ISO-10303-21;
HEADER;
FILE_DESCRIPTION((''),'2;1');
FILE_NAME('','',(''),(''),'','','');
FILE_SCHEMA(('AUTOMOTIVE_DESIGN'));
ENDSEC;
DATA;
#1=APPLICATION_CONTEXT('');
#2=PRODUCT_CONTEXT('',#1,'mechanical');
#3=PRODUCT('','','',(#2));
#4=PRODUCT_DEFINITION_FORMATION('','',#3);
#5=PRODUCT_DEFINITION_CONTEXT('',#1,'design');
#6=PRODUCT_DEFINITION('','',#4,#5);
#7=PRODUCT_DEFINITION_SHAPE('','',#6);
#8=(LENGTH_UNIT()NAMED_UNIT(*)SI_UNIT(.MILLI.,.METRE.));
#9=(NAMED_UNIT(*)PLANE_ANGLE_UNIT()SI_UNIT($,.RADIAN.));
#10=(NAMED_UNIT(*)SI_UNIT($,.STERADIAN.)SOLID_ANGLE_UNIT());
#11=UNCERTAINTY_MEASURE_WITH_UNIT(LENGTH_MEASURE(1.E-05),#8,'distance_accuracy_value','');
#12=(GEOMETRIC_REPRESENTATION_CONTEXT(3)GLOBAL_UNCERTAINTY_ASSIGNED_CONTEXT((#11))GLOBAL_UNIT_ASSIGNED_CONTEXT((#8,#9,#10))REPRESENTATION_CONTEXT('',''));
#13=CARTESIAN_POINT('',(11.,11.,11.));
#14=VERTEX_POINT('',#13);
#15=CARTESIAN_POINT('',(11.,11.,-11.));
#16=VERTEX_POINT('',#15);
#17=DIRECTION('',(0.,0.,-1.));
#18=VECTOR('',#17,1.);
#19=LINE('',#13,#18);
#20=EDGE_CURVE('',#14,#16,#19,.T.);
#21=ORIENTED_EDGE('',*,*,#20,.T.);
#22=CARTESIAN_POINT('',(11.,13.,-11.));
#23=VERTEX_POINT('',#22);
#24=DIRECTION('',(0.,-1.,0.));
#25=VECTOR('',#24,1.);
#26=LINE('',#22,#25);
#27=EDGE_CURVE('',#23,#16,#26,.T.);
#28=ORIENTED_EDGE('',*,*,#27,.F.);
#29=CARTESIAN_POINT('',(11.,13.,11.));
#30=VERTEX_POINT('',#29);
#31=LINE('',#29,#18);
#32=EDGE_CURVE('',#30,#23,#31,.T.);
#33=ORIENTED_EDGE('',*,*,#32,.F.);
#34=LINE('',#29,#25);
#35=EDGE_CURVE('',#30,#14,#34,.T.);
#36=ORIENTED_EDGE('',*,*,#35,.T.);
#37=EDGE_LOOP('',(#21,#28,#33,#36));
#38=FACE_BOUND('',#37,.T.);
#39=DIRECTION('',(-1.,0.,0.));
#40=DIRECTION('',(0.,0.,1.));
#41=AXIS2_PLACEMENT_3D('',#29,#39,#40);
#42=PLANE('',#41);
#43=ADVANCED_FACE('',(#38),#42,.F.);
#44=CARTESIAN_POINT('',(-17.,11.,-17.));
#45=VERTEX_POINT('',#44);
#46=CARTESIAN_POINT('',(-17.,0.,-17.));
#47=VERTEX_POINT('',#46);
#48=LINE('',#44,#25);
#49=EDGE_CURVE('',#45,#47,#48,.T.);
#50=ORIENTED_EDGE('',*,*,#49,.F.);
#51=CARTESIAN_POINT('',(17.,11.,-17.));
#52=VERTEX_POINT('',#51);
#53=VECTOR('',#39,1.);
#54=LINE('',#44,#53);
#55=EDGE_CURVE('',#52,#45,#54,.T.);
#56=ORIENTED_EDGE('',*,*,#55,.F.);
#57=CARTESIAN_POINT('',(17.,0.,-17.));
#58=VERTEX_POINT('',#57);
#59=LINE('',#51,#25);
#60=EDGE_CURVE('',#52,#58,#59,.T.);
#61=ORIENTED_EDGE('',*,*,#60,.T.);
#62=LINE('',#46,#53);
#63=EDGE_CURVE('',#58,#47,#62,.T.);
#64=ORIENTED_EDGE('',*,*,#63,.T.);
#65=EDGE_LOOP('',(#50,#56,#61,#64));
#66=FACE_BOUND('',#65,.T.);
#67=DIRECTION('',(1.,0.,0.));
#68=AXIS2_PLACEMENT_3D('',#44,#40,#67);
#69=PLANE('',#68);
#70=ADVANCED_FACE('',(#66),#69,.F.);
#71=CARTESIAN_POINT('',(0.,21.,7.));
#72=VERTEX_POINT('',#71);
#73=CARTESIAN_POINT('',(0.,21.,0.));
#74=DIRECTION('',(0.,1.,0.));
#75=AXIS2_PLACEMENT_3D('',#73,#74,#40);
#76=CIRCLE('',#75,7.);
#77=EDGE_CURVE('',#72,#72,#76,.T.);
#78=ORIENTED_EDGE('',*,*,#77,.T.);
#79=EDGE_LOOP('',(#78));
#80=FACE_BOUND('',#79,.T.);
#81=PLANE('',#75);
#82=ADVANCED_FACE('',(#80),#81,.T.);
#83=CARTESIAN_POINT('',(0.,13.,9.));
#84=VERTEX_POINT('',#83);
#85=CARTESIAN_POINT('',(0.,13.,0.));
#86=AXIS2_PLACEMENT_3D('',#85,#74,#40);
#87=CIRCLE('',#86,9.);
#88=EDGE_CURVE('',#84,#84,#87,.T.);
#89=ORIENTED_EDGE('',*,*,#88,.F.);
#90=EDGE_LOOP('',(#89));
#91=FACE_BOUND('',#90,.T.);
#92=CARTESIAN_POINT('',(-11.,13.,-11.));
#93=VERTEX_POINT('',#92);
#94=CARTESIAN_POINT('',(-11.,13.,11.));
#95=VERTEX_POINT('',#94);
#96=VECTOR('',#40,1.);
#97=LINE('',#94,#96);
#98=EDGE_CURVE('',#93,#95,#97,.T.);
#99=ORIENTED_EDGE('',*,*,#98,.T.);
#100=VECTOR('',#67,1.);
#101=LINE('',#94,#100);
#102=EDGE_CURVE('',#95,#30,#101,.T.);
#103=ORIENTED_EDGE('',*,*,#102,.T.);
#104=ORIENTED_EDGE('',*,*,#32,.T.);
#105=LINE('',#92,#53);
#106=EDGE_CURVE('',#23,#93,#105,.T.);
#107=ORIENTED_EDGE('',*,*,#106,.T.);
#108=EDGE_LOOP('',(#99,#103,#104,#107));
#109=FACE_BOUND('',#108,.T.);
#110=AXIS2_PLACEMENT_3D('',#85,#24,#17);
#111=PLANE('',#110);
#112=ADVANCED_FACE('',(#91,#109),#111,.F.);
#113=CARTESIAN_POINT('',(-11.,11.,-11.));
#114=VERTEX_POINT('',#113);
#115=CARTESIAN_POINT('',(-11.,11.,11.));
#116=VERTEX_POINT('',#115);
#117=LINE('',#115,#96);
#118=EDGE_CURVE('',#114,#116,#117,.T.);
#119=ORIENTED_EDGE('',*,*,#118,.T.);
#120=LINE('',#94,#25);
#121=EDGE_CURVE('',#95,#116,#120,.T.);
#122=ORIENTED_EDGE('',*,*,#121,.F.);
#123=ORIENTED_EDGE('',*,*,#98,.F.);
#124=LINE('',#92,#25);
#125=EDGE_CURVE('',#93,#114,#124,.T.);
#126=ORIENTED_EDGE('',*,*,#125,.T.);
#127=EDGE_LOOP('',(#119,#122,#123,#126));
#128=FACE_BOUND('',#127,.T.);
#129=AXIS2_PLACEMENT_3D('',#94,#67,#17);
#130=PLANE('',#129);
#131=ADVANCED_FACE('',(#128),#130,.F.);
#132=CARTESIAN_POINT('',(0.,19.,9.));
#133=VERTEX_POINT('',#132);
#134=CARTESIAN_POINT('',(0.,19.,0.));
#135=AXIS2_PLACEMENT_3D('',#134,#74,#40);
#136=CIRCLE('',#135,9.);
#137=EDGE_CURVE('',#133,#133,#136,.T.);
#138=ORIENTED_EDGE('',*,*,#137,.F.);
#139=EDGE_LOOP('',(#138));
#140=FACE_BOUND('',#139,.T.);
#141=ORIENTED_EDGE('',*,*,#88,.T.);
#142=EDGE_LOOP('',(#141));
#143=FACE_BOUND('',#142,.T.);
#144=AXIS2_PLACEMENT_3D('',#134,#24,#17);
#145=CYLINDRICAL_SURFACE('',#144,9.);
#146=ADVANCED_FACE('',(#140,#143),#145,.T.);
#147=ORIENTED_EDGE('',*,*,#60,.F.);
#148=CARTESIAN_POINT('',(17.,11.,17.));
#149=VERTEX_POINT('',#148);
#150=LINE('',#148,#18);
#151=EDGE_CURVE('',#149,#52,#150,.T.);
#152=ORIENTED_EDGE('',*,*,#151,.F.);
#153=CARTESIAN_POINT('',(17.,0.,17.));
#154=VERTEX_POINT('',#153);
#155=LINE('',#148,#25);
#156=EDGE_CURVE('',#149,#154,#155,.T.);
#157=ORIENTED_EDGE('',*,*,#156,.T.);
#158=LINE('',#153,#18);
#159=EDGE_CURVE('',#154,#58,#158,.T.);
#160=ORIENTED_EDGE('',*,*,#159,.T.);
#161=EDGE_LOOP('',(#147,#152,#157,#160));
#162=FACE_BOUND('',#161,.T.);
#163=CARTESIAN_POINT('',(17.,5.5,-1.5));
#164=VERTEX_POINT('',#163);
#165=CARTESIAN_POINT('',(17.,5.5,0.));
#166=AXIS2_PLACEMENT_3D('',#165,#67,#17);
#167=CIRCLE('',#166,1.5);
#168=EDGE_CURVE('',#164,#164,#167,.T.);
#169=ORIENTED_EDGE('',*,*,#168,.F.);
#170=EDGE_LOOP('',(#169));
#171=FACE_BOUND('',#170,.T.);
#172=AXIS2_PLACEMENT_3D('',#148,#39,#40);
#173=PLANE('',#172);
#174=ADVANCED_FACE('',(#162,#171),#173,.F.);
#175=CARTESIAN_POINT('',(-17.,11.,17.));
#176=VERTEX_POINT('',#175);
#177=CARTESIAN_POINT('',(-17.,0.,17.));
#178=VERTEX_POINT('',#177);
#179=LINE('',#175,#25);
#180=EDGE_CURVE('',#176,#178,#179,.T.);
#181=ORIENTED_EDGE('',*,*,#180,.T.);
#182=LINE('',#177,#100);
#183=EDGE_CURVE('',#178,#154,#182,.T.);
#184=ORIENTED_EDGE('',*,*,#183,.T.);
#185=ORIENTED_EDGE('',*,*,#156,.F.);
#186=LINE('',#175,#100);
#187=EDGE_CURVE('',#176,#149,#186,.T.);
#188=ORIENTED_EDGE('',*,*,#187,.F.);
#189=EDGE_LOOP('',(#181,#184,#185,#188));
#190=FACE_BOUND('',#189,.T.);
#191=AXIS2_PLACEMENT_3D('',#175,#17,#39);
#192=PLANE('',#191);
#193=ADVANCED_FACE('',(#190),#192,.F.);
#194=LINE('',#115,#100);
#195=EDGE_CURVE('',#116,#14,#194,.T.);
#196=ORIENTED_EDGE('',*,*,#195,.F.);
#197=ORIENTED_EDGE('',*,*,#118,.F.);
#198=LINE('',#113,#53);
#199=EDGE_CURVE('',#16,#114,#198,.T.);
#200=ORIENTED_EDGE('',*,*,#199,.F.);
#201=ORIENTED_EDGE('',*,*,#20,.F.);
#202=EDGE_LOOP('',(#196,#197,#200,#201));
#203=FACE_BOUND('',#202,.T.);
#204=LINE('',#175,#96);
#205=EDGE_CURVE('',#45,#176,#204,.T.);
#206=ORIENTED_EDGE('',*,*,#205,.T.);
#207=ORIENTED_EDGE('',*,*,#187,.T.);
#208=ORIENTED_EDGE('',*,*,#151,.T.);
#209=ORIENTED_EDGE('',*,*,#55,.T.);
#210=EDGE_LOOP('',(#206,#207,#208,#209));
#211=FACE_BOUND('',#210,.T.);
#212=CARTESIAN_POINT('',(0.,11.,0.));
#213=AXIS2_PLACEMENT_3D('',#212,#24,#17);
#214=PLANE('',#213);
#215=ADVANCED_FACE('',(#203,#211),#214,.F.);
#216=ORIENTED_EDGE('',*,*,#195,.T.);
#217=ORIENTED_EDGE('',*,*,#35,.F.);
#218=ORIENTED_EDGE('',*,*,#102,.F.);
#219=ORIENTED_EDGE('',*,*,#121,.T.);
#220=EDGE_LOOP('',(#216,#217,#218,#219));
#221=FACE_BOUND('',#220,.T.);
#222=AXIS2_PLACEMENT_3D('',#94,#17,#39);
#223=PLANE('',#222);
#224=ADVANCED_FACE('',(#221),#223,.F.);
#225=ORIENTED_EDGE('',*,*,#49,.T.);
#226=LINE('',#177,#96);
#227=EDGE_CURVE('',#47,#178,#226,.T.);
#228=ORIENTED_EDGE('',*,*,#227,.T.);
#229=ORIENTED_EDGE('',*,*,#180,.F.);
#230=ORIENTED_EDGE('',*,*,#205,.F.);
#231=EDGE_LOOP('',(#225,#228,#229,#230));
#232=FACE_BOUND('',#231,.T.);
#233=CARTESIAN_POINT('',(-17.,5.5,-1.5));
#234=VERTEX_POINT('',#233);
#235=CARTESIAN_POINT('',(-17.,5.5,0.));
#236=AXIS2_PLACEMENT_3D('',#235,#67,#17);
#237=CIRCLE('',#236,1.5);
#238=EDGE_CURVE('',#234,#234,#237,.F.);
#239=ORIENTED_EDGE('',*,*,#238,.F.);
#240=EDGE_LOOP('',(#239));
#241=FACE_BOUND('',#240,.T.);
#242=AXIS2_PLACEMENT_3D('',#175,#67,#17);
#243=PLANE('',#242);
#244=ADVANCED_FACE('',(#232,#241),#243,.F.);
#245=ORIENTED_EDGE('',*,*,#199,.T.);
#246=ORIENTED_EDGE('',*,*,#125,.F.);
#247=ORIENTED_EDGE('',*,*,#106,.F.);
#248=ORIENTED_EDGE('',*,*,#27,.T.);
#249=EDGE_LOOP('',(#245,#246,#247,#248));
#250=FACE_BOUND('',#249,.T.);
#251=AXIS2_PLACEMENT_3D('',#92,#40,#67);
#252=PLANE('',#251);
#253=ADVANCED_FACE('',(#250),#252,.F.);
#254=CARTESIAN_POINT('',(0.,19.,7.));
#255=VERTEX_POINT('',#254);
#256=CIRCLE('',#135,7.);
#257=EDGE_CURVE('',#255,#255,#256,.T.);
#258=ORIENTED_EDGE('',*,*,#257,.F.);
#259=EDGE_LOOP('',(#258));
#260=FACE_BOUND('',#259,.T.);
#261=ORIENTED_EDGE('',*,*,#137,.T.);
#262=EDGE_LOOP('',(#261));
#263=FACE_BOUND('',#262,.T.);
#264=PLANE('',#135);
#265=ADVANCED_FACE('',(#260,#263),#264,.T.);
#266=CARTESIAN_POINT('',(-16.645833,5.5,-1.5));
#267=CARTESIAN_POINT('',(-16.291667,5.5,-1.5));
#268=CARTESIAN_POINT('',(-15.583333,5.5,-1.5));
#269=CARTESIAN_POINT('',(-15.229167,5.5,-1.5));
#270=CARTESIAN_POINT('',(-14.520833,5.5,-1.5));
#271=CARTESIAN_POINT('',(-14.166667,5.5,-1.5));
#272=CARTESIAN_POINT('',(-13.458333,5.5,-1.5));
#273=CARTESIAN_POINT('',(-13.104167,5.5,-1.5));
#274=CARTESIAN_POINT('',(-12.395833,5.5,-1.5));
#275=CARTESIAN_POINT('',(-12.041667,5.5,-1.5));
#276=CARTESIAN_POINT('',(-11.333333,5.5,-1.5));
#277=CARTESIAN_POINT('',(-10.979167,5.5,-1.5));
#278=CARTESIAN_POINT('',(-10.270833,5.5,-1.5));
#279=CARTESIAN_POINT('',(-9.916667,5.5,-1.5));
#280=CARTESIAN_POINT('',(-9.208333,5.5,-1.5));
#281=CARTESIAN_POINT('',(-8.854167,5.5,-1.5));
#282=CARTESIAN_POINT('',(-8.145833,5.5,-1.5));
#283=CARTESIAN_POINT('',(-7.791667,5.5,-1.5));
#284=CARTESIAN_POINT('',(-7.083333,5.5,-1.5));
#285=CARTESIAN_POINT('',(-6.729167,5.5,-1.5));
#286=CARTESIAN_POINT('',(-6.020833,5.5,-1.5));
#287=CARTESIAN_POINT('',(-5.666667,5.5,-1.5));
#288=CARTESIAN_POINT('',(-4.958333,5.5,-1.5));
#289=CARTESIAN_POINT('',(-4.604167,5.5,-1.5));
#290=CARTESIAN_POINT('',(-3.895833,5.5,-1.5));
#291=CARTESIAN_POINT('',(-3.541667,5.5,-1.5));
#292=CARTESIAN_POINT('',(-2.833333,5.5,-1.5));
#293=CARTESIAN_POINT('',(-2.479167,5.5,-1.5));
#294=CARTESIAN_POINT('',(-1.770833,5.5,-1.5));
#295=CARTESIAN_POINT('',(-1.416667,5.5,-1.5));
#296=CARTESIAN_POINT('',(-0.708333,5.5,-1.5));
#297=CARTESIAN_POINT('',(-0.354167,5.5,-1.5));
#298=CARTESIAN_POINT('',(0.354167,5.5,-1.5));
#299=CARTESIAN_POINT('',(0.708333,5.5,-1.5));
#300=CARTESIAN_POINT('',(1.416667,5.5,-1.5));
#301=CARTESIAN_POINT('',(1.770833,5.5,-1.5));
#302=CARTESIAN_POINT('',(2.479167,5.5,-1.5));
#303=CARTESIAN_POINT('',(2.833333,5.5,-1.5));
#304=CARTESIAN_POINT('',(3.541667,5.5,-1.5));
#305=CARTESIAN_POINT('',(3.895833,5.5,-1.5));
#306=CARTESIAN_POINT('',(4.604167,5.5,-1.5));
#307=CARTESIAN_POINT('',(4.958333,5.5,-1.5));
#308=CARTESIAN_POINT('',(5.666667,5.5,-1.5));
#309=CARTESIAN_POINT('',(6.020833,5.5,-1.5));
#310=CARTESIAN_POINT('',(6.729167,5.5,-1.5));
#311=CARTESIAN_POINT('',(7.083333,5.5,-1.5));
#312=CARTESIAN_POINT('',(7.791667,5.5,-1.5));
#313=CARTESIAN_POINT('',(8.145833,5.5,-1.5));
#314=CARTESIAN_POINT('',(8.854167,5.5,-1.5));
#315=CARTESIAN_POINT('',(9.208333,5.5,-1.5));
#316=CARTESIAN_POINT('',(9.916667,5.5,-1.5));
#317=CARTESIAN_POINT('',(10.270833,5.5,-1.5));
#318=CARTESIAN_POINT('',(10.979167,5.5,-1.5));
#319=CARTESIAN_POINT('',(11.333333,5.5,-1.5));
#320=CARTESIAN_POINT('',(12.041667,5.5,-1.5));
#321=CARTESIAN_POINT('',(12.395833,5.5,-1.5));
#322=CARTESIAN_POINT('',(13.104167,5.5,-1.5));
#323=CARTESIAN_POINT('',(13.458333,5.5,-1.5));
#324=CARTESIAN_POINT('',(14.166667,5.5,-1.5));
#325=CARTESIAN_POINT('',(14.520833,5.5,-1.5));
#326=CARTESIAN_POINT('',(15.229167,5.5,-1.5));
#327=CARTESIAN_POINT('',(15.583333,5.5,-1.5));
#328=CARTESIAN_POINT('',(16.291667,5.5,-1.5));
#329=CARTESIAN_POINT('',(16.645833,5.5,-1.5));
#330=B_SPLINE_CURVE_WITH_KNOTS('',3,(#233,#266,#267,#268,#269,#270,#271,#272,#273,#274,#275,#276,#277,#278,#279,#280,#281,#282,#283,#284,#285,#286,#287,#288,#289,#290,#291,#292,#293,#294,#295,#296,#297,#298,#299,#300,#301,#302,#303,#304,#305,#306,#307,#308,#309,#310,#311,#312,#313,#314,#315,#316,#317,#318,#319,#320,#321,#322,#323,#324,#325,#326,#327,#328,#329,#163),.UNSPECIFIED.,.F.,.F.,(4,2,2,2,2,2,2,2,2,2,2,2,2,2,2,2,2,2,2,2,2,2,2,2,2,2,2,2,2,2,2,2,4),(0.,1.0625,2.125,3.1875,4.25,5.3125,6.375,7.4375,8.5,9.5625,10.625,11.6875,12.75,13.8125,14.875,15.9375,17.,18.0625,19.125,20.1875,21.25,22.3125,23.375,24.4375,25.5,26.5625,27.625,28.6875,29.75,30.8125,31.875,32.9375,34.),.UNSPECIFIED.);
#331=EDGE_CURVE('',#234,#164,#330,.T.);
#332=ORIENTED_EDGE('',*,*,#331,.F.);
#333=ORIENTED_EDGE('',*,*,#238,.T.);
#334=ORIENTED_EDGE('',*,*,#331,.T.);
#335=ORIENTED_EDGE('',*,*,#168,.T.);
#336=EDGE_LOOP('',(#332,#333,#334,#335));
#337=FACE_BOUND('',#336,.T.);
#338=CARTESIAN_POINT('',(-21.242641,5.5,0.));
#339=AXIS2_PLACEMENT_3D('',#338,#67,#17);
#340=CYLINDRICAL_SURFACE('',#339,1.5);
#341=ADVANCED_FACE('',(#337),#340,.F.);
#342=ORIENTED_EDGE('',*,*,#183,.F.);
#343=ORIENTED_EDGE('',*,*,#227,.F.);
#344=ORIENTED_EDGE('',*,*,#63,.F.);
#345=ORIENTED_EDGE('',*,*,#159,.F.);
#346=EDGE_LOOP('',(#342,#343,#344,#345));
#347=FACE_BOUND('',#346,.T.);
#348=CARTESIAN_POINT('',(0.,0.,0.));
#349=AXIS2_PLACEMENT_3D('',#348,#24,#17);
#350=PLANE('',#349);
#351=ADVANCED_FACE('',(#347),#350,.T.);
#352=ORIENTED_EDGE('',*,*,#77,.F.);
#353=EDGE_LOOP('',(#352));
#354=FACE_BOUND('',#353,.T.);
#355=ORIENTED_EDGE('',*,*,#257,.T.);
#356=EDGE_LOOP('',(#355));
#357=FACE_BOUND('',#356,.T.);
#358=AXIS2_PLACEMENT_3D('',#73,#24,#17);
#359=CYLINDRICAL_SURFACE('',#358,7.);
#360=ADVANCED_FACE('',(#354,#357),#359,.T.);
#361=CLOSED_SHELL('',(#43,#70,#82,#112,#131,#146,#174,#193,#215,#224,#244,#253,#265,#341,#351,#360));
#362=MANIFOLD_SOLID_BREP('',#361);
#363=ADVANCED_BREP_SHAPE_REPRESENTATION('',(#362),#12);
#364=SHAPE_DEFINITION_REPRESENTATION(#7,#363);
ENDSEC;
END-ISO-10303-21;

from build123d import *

# Parameters (mm, degrees)
SKETCH_1_W          = 34
SKETCH_1_H          = 34
EXTRUDE_1_DEPTH     = 11
SKETCH_2_W          = 22
SKETCH_2_H          = 22
EXTRUDE_2_DEPTH     = 2
SKETCH_3_R          = 9
EXTRUDE_3_DEPTH     = 6
SKETCH_4_R          = 7
EXTRUDE_4_DEPTH     = 2
SKETCH_5_R          = 1.5
CUT_EXTRUDE_1_DEPTH = 34


with BuildPart() as part:
    # 草图1 → 凸台-拉伸1 (new body)
    with BuildSketch(Plane(origin=(0, 0, 0), x_dir=(1, 0, 0), z_dir=(0, 1, 0))):
        Rectangle(SKETCH_1_W, SKETCH_1_H)
    extrude(amount=EXTRUDE_1_DEPTH)

    # 草图2 → 凸台-拉伸2 (add)
    with BuildSketch(Plane(origin=(0, 11, 0), x_dir=(1, 0, 0), z_dir=(0, 1, 0))):
        Rectangle(SKETCH_2_W, SKETCH_2_H)
    extrude(amount=EXTRUDE_2_DEPTH)

    # 草图3 → 凸台-拉伸3 (add)
    with BuildSketch(Plane(origin=(0, 13, 0), x_dir=(1, 0, 0), z_dir=(0, 1, 0))):
        with Locations(Location((0, 0, 0), (0, 0, 270))):
            Circle(SKETCH_3_R)
    extrude(amount=EXTRUDE_3_DEPTH)

    # 草图4 → 凸台-拉伸4 (add)
    with BuildSketch(Plane(origin=(0, 19, 0), x_dir=(1, 0, 0), z_dir=(0, 1, 0))):
        with Locations(Location((0, 0, 0), (0, 0, 270))):
            Circle(SKETCH_4_R)
    extrude(amount=EXTRUDE_4_DEPTH)

    # 草图5 → 切除-拉伸1 (cut)
    with BuildSketch(Plane(origin=(17, 0, 0), x_dir=(0, 0, -1), z_dir=(1, 0, 0))):
        with Locations((0, 5.5)):
            Circle(SKETCH_5_R)
    extrude(amount=-CUT_EXTRUDE_1_DEPTH, mode=Mode.SUBTRACT)


solid = part.part
